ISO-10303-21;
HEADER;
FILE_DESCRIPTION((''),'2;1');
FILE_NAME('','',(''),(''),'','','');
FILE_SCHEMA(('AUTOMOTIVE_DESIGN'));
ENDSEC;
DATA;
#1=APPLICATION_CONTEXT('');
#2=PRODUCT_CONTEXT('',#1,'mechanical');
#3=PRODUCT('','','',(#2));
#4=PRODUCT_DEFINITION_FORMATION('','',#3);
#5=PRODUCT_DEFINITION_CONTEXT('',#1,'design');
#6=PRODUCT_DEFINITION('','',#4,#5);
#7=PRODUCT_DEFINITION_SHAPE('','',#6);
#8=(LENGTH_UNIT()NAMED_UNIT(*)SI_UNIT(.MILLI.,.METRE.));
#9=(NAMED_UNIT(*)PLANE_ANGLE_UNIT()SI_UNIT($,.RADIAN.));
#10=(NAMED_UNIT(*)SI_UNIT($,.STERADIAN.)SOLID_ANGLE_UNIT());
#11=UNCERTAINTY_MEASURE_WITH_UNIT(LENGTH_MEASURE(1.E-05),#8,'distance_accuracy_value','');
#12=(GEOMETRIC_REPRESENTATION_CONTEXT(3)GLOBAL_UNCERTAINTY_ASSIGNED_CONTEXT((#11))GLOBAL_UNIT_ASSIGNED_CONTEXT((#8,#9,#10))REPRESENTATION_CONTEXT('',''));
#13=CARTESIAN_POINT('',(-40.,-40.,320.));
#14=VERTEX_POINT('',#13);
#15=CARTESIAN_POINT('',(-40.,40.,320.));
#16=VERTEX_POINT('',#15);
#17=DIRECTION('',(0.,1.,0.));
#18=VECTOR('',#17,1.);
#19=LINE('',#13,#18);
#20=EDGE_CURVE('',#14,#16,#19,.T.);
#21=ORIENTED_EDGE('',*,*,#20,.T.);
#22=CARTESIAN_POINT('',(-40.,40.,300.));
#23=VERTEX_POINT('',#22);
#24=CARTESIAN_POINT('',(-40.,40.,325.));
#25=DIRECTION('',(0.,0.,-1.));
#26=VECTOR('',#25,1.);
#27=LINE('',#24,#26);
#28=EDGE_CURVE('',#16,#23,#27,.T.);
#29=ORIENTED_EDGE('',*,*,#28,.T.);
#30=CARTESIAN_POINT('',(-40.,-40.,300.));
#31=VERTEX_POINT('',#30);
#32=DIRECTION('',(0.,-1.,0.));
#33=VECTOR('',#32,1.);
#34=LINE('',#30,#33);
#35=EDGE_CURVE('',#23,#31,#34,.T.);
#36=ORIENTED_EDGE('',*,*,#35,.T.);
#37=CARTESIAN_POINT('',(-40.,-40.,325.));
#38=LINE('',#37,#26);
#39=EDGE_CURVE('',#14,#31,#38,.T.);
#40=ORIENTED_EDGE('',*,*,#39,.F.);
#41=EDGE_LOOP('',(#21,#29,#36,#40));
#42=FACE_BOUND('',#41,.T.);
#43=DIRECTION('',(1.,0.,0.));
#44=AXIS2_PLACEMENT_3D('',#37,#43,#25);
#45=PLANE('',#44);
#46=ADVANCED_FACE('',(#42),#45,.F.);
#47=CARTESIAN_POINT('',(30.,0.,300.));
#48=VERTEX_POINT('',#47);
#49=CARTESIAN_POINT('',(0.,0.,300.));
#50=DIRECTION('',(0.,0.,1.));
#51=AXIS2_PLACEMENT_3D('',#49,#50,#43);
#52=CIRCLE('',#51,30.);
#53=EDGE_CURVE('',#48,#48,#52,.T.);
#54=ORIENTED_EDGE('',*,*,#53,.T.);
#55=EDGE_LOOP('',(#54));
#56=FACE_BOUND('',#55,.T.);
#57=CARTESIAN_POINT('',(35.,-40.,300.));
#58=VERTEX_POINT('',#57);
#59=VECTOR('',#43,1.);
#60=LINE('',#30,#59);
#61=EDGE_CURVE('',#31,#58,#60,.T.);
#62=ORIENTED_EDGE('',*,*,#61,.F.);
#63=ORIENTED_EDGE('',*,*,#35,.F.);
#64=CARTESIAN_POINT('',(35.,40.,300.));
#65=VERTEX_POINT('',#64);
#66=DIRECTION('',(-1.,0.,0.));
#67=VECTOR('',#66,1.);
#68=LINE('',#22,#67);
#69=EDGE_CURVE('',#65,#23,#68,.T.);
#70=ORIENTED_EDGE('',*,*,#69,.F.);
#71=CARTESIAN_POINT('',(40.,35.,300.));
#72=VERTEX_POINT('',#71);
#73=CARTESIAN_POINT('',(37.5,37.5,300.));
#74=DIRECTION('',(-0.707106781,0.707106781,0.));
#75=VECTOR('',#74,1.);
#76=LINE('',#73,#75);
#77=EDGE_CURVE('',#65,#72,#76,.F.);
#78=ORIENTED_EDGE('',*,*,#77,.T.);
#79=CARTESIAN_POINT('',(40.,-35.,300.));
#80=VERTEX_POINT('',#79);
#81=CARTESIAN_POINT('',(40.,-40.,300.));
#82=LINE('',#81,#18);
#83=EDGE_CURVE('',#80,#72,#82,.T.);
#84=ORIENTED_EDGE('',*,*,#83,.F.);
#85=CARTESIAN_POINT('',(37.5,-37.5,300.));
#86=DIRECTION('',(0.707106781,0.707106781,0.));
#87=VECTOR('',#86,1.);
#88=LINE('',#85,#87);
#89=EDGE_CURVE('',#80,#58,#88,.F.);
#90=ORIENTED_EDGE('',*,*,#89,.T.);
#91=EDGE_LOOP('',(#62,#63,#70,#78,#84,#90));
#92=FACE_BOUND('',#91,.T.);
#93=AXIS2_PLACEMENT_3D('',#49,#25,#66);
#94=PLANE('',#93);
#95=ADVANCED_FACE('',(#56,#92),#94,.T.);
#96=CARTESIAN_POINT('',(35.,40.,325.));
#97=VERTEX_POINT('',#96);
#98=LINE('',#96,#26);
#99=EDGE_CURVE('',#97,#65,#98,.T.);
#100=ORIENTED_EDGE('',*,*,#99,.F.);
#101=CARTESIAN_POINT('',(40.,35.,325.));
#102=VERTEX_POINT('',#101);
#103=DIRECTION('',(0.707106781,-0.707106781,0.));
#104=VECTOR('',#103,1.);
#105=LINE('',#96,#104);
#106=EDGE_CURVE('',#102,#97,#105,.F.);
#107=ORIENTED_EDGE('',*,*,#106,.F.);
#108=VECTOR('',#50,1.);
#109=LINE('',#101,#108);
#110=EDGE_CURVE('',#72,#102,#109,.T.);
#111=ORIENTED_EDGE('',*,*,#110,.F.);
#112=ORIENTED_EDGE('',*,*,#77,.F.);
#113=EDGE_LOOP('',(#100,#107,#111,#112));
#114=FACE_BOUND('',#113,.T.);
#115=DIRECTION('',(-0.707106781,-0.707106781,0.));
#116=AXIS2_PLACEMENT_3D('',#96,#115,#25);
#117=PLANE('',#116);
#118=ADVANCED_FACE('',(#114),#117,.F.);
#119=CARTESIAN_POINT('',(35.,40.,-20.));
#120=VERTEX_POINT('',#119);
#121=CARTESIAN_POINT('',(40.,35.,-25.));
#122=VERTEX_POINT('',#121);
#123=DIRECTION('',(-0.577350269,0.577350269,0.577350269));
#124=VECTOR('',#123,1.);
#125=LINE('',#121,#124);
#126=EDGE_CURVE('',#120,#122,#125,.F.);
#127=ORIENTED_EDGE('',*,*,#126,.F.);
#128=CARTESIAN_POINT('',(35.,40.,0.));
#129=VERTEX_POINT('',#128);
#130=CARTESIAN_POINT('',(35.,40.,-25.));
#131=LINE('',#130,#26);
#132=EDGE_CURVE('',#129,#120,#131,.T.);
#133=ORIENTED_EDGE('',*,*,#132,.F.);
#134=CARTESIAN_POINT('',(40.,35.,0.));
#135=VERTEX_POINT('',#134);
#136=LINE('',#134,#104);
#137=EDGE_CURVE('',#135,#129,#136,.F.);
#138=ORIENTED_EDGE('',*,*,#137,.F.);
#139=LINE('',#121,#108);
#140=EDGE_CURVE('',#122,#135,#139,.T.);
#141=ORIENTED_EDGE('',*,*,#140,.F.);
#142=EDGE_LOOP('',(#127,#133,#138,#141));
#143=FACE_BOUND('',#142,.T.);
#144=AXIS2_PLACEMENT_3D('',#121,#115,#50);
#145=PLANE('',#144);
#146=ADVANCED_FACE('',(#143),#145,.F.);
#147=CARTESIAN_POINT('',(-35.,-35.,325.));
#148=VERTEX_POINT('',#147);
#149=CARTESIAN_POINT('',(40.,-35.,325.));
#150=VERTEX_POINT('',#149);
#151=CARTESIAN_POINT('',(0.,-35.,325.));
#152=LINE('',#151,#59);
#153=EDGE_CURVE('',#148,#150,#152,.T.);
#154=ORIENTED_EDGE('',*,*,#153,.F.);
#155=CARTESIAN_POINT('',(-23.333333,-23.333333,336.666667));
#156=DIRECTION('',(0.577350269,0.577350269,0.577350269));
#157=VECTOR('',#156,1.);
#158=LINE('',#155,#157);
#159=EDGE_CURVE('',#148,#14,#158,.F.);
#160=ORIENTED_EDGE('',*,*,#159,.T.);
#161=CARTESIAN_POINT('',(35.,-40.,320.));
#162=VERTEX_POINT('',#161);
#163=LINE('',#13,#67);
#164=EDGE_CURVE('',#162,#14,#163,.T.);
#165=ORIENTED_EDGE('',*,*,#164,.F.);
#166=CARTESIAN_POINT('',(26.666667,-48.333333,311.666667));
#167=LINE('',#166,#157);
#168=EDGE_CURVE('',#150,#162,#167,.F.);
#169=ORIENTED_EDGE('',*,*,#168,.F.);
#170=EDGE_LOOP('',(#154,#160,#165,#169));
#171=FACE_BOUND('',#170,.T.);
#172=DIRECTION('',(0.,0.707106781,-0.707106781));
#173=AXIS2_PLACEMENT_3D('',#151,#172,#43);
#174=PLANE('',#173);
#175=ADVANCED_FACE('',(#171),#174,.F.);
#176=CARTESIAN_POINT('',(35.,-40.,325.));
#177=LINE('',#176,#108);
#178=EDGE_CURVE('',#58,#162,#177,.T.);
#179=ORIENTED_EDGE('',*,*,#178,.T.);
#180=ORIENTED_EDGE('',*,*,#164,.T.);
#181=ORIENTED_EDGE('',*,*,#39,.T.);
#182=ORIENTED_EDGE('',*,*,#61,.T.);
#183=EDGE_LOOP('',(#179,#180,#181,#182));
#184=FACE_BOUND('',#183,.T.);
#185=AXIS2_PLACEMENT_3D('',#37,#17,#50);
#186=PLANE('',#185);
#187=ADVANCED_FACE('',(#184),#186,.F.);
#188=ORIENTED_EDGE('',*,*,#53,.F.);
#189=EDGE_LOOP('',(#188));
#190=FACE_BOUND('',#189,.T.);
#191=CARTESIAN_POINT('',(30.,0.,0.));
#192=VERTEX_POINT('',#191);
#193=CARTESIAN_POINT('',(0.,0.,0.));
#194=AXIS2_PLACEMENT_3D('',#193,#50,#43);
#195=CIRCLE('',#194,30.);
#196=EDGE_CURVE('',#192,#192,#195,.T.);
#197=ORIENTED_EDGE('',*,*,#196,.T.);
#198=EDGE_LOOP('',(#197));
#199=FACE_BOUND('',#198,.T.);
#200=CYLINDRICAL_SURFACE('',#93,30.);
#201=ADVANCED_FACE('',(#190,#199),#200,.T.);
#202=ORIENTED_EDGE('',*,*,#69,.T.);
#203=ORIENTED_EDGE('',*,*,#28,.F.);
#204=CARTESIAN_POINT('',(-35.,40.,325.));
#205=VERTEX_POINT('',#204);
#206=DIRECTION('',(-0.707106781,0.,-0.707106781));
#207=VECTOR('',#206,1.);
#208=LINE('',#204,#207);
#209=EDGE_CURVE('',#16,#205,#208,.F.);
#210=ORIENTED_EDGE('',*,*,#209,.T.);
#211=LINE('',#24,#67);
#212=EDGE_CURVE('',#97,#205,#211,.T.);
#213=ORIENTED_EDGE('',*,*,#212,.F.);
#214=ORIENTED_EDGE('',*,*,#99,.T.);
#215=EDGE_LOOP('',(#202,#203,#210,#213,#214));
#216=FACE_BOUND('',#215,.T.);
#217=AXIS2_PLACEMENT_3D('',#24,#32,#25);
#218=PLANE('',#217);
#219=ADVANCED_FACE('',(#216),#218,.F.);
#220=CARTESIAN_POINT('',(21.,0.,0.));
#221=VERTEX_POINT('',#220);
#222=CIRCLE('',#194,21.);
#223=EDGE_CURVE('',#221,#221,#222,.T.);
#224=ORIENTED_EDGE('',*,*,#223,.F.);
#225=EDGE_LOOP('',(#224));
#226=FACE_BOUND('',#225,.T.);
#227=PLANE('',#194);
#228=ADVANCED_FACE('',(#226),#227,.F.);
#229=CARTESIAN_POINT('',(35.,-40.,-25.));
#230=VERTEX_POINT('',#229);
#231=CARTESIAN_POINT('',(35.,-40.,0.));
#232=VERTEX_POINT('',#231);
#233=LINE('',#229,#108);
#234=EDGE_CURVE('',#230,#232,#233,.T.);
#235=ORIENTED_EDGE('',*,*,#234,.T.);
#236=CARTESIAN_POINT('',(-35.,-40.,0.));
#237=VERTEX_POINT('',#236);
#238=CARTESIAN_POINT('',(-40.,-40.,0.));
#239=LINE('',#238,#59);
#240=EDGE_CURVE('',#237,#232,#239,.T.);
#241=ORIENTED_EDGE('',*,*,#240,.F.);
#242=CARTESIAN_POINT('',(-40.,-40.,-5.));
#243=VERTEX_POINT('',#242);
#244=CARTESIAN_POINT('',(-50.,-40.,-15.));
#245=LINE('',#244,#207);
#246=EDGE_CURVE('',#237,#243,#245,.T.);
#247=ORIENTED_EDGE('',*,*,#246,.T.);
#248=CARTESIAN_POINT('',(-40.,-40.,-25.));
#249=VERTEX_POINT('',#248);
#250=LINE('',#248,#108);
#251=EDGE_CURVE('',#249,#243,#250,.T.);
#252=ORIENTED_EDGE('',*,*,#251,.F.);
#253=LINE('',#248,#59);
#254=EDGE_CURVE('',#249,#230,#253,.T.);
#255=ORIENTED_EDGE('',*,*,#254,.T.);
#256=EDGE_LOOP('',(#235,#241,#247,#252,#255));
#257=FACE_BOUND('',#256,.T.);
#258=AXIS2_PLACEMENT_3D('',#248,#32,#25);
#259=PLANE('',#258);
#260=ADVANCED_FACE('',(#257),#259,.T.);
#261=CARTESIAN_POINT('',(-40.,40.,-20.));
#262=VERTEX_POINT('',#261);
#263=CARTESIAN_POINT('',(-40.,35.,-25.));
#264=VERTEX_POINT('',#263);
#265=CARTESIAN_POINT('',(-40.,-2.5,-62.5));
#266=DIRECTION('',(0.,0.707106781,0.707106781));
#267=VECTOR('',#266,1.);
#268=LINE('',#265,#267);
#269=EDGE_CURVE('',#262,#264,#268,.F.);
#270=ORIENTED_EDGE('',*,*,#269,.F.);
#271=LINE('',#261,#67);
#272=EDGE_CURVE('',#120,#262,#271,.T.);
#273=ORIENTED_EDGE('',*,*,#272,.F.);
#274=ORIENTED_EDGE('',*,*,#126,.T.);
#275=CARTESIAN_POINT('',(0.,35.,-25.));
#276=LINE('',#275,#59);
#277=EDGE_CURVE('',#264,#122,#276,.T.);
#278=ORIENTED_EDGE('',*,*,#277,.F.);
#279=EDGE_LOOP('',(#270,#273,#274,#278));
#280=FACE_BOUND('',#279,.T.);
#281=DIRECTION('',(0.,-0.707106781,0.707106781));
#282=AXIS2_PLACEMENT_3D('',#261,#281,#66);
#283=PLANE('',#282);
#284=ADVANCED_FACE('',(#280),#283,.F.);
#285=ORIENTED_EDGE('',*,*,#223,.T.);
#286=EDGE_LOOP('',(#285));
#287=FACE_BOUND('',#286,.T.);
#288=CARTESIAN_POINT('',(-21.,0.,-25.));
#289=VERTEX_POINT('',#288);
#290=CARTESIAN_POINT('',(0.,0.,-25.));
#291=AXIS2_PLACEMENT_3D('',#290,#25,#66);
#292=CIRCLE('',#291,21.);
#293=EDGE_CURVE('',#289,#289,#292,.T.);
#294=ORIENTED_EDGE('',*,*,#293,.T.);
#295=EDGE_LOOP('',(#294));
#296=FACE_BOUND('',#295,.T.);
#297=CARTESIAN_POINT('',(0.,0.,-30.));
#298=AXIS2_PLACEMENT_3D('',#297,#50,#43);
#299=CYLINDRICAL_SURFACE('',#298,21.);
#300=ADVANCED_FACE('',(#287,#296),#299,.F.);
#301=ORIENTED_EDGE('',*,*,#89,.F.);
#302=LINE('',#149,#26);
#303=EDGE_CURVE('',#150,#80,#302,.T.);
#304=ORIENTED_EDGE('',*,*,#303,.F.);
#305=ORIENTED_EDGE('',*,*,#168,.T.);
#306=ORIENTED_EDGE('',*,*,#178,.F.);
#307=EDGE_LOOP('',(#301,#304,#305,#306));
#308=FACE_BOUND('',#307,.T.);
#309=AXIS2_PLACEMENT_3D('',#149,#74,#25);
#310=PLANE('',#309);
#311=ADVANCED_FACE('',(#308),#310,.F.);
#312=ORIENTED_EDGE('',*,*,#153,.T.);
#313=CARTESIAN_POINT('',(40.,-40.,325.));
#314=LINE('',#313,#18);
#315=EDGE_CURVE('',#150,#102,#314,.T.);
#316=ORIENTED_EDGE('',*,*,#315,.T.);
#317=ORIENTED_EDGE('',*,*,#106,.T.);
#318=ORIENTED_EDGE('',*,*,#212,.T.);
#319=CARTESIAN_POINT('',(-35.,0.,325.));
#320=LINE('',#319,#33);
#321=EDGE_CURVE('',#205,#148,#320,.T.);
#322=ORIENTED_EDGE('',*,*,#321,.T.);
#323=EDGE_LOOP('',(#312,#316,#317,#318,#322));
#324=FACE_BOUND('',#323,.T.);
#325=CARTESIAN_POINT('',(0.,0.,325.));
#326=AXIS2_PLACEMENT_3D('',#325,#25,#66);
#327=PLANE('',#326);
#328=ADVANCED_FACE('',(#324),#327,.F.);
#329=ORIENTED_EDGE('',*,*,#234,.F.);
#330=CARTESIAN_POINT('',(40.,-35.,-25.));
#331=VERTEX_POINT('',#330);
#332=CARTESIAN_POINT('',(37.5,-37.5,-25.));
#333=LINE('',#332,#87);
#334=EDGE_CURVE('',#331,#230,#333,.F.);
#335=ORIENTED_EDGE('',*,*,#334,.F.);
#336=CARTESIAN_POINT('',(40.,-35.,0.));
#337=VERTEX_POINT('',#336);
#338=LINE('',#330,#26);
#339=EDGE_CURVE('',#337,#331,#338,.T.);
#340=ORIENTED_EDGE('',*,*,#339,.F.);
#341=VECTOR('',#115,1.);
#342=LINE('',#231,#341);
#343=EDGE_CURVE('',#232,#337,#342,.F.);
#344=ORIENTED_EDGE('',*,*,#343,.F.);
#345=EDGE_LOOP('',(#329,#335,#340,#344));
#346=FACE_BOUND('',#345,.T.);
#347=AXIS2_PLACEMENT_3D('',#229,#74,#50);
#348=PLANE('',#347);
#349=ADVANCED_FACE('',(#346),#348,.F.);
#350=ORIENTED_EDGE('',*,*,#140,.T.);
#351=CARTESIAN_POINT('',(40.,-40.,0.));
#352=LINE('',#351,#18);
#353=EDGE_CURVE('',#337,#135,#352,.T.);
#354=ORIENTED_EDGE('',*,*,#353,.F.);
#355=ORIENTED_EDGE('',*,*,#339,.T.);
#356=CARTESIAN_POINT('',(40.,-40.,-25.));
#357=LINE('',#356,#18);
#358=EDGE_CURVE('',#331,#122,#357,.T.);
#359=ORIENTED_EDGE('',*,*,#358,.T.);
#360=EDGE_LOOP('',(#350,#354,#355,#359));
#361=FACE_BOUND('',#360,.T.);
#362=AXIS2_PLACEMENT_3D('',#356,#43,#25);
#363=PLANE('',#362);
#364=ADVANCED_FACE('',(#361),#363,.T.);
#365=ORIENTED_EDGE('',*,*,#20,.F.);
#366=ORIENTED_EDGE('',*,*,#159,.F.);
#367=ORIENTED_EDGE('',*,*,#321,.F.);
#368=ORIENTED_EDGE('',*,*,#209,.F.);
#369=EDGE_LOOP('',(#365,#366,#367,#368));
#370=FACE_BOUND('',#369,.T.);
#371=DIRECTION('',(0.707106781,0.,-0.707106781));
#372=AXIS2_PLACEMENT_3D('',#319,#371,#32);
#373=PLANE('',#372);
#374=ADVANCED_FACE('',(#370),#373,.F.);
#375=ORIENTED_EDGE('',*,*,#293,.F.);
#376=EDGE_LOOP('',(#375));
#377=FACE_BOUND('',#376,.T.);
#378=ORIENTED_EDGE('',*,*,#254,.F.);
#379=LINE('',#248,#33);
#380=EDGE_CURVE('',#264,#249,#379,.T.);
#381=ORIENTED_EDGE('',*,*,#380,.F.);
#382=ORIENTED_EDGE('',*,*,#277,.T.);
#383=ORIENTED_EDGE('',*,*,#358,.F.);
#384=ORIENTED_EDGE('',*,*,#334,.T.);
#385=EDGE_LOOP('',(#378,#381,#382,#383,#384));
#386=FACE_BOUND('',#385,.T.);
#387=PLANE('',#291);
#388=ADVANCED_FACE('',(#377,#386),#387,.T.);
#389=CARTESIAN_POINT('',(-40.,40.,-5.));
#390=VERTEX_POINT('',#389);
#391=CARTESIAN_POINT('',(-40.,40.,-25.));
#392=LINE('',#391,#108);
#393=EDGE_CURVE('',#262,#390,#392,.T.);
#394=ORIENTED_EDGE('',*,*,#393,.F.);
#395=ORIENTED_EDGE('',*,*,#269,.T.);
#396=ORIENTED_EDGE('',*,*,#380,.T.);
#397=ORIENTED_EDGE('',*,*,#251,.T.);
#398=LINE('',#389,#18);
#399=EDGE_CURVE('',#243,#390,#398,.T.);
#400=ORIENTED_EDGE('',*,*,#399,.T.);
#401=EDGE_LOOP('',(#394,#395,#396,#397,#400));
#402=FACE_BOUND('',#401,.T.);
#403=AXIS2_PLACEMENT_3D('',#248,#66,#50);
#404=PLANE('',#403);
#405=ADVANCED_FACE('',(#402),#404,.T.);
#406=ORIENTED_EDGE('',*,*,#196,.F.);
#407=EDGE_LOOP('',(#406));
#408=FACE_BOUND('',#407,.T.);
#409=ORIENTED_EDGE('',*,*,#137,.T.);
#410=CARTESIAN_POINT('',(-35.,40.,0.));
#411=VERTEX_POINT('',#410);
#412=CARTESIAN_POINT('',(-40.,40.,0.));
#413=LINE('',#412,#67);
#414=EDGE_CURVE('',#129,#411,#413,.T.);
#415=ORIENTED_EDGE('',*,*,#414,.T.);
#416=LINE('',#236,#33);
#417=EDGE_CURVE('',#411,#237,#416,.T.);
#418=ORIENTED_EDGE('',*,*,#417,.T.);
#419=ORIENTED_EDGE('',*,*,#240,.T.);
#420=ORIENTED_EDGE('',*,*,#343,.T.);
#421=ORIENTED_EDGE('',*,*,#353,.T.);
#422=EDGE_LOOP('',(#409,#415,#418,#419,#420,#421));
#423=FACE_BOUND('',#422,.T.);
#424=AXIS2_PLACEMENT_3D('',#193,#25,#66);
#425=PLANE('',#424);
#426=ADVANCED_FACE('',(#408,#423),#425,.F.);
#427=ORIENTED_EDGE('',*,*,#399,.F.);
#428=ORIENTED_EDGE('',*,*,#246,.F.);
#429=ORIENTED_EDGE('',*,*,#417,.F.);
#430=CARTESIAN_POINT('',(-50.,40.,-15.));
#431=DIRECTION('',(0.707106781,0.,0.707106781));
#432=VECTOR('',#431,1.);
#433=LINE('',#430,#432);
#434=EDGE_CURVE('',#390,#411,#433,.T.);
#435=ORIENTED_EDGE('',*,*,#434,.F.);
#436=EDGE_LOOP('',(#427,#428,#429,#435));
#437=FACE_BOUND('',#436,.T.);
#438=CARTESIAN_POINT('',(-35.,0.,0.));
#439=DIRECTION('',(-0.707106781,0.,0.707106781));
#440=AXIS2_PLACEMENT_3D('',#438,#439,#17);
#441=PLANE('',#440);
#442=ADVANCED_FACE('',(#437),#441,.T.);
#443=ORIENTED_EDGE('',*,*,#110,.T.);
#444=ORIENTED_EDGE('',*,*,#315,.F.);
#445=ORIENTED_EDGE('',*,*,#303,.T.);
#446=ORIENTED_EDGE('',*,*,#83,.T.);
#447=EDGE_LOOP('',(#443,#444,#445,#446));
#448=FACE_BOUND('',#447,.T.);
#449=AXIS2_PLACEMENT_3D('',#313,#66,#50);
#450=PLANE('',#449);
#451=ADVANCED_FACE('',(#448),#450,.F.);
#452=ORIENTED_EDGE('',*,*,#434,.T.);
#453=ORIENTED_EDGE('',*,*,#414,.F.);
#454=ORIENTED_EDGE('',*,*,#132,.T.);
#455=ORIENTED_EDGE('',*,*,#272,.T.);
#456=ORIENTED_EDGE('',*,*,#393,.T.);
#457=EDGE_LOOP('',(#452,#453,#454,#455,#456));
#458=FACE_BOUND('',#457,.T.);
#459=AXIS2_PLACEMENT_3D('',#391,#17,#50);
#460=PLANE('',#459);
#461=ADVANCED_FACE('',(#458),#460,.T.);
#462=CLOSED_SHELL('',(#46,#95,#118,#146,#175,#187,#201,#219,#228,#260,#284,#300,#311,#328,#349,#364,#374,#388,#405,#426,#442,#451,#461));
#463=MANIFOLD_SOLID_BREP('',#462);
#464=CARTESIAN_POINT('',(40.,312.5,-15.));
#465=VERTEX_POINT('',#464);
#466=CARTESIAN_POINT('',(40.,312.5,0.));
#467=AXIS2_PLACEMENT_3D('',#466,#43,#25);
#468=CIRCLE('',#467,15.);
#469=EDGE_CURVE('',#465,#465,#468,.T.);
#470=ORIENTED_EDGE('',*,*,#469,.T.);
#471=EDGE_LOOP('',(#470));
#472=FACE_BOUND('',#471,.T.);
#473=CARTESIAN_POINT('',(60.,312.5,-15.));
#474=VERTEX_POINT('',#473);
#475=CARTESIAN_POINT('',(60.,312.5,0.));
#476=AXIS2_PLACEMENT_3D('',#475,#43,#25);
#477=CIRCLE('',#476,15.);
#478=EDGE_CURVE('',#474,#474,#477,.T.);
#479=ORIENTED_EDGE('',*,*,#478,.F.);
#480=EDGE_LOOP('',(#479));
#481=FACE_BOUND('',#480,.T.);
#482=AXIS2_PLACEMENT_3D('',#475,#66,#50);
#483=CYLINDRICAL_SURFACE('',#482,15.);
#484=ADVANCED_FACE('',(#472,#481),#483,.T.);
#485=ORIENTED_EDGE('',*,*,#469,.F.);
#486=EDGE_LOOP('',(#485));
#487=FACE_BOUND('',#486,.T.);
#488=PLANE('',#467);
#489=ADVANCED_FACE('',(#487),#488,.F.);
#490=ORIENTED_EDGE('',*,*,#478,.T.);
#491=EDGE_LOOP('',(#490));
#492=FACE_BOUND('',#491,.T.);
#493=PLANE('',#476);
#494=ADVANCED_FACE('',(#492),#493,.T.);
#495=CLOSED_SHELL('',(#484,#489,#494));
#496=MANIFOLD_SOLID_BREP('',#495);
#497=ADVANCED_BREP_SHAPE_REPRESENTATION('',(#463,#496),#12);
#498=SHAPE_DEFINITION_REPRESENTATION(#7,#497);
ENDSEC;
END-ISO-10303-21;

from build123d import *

# Parameters (mm, degrees)
SKETCH1_R           = 30
BOSS_EXTRUDE1_DEPTH = 300
SKETCH2_W           = 80
SKETCH2_H           = 80
BOSS_EXTRUDE2_DEPTH = 25
SKETCH3_R           = 21
CUT_EXTRUDE1_DEPTH  = 30
SKETCH4_W           = 80
SKETCH4_H           = 80
BOSS_EXTRUDE3_DEPTH = 25
SKETCH5_R           = 15
BOSS_EXTRUDE4_DEPTH = 20
CHAMFER1_SIZE       = 5
CHAMFER3_SIZE       = 5


with BuildPart() as part:
    # Sketch1 → Boss-Extrude1 (new body)
    with BuildSketch(Plane.XY):
        Circle(SKETCH1_R)
    extrude(amount=BOSS_EXTRUDE1_DEPTH)

    # Sketch2 → Boss-Extrude2 (add)
    with BuildSketch(Plane.XY):
        Rectangle(SKETCH2_W, SKETCH2_H)
    extrude(amount=-BOSS_EXTRUDE2_DEPTH)

    # Sketch3 → Cut-Extrude1 (cut)
    with BuildSketch(Plane.XY):
        Circle(SKETCH3_R)
    extrude(amount=-CUT_EXTRUDE1_DEPTH, mode=Mode.SUBTRACT)

    # Sketch4 → Boss-Extrude3 (add)
    with BuildSketch(Plane.XY.offset(300)):
        Rectangle(SKETCH4_W, SKETCH4_H)
    extrude(amount=BOSS_EXTRUDE3_DEPTH)

    # Chamfer1
    chamfer1_edges = [part.edges().sort_by_distance(p)[0] for p in [
        (40, 40, -12.5),
        (40, -40, -12.5),
        (0, 40, -25),
        (-40, 0, 0),
    ]]
    chamfer(chamfer1_edges, length=CHAMFER1_SIZE)

    # Chamfer3
    chamfer3_edges = [part.edges().sort_by_distance(p)[0] for p in [
        (40, -40, 312.5),
        (40, 40, 312.5),
        (-40, 0, 325),
        (0, -40, 325),
    ]]
    chamfer(chamfer3_edges, length=CHAMFER3_SIZE)


with BuildPart() as body_2:
    # Sketch5 → Boss-Extrude4 (new body)
    with BuildSketch(Plane(origin=(40, 0, 0), x_dir=(0, 0, -1), z_dir=(1, 0, 0))):
        with Locations((0, 312.5)):
            Circle(SKETCH5_R)
    extrude(amount=BOSS_EXTRUDE4_DEPTH)


solid = Compound([part.part, body_2.part])
